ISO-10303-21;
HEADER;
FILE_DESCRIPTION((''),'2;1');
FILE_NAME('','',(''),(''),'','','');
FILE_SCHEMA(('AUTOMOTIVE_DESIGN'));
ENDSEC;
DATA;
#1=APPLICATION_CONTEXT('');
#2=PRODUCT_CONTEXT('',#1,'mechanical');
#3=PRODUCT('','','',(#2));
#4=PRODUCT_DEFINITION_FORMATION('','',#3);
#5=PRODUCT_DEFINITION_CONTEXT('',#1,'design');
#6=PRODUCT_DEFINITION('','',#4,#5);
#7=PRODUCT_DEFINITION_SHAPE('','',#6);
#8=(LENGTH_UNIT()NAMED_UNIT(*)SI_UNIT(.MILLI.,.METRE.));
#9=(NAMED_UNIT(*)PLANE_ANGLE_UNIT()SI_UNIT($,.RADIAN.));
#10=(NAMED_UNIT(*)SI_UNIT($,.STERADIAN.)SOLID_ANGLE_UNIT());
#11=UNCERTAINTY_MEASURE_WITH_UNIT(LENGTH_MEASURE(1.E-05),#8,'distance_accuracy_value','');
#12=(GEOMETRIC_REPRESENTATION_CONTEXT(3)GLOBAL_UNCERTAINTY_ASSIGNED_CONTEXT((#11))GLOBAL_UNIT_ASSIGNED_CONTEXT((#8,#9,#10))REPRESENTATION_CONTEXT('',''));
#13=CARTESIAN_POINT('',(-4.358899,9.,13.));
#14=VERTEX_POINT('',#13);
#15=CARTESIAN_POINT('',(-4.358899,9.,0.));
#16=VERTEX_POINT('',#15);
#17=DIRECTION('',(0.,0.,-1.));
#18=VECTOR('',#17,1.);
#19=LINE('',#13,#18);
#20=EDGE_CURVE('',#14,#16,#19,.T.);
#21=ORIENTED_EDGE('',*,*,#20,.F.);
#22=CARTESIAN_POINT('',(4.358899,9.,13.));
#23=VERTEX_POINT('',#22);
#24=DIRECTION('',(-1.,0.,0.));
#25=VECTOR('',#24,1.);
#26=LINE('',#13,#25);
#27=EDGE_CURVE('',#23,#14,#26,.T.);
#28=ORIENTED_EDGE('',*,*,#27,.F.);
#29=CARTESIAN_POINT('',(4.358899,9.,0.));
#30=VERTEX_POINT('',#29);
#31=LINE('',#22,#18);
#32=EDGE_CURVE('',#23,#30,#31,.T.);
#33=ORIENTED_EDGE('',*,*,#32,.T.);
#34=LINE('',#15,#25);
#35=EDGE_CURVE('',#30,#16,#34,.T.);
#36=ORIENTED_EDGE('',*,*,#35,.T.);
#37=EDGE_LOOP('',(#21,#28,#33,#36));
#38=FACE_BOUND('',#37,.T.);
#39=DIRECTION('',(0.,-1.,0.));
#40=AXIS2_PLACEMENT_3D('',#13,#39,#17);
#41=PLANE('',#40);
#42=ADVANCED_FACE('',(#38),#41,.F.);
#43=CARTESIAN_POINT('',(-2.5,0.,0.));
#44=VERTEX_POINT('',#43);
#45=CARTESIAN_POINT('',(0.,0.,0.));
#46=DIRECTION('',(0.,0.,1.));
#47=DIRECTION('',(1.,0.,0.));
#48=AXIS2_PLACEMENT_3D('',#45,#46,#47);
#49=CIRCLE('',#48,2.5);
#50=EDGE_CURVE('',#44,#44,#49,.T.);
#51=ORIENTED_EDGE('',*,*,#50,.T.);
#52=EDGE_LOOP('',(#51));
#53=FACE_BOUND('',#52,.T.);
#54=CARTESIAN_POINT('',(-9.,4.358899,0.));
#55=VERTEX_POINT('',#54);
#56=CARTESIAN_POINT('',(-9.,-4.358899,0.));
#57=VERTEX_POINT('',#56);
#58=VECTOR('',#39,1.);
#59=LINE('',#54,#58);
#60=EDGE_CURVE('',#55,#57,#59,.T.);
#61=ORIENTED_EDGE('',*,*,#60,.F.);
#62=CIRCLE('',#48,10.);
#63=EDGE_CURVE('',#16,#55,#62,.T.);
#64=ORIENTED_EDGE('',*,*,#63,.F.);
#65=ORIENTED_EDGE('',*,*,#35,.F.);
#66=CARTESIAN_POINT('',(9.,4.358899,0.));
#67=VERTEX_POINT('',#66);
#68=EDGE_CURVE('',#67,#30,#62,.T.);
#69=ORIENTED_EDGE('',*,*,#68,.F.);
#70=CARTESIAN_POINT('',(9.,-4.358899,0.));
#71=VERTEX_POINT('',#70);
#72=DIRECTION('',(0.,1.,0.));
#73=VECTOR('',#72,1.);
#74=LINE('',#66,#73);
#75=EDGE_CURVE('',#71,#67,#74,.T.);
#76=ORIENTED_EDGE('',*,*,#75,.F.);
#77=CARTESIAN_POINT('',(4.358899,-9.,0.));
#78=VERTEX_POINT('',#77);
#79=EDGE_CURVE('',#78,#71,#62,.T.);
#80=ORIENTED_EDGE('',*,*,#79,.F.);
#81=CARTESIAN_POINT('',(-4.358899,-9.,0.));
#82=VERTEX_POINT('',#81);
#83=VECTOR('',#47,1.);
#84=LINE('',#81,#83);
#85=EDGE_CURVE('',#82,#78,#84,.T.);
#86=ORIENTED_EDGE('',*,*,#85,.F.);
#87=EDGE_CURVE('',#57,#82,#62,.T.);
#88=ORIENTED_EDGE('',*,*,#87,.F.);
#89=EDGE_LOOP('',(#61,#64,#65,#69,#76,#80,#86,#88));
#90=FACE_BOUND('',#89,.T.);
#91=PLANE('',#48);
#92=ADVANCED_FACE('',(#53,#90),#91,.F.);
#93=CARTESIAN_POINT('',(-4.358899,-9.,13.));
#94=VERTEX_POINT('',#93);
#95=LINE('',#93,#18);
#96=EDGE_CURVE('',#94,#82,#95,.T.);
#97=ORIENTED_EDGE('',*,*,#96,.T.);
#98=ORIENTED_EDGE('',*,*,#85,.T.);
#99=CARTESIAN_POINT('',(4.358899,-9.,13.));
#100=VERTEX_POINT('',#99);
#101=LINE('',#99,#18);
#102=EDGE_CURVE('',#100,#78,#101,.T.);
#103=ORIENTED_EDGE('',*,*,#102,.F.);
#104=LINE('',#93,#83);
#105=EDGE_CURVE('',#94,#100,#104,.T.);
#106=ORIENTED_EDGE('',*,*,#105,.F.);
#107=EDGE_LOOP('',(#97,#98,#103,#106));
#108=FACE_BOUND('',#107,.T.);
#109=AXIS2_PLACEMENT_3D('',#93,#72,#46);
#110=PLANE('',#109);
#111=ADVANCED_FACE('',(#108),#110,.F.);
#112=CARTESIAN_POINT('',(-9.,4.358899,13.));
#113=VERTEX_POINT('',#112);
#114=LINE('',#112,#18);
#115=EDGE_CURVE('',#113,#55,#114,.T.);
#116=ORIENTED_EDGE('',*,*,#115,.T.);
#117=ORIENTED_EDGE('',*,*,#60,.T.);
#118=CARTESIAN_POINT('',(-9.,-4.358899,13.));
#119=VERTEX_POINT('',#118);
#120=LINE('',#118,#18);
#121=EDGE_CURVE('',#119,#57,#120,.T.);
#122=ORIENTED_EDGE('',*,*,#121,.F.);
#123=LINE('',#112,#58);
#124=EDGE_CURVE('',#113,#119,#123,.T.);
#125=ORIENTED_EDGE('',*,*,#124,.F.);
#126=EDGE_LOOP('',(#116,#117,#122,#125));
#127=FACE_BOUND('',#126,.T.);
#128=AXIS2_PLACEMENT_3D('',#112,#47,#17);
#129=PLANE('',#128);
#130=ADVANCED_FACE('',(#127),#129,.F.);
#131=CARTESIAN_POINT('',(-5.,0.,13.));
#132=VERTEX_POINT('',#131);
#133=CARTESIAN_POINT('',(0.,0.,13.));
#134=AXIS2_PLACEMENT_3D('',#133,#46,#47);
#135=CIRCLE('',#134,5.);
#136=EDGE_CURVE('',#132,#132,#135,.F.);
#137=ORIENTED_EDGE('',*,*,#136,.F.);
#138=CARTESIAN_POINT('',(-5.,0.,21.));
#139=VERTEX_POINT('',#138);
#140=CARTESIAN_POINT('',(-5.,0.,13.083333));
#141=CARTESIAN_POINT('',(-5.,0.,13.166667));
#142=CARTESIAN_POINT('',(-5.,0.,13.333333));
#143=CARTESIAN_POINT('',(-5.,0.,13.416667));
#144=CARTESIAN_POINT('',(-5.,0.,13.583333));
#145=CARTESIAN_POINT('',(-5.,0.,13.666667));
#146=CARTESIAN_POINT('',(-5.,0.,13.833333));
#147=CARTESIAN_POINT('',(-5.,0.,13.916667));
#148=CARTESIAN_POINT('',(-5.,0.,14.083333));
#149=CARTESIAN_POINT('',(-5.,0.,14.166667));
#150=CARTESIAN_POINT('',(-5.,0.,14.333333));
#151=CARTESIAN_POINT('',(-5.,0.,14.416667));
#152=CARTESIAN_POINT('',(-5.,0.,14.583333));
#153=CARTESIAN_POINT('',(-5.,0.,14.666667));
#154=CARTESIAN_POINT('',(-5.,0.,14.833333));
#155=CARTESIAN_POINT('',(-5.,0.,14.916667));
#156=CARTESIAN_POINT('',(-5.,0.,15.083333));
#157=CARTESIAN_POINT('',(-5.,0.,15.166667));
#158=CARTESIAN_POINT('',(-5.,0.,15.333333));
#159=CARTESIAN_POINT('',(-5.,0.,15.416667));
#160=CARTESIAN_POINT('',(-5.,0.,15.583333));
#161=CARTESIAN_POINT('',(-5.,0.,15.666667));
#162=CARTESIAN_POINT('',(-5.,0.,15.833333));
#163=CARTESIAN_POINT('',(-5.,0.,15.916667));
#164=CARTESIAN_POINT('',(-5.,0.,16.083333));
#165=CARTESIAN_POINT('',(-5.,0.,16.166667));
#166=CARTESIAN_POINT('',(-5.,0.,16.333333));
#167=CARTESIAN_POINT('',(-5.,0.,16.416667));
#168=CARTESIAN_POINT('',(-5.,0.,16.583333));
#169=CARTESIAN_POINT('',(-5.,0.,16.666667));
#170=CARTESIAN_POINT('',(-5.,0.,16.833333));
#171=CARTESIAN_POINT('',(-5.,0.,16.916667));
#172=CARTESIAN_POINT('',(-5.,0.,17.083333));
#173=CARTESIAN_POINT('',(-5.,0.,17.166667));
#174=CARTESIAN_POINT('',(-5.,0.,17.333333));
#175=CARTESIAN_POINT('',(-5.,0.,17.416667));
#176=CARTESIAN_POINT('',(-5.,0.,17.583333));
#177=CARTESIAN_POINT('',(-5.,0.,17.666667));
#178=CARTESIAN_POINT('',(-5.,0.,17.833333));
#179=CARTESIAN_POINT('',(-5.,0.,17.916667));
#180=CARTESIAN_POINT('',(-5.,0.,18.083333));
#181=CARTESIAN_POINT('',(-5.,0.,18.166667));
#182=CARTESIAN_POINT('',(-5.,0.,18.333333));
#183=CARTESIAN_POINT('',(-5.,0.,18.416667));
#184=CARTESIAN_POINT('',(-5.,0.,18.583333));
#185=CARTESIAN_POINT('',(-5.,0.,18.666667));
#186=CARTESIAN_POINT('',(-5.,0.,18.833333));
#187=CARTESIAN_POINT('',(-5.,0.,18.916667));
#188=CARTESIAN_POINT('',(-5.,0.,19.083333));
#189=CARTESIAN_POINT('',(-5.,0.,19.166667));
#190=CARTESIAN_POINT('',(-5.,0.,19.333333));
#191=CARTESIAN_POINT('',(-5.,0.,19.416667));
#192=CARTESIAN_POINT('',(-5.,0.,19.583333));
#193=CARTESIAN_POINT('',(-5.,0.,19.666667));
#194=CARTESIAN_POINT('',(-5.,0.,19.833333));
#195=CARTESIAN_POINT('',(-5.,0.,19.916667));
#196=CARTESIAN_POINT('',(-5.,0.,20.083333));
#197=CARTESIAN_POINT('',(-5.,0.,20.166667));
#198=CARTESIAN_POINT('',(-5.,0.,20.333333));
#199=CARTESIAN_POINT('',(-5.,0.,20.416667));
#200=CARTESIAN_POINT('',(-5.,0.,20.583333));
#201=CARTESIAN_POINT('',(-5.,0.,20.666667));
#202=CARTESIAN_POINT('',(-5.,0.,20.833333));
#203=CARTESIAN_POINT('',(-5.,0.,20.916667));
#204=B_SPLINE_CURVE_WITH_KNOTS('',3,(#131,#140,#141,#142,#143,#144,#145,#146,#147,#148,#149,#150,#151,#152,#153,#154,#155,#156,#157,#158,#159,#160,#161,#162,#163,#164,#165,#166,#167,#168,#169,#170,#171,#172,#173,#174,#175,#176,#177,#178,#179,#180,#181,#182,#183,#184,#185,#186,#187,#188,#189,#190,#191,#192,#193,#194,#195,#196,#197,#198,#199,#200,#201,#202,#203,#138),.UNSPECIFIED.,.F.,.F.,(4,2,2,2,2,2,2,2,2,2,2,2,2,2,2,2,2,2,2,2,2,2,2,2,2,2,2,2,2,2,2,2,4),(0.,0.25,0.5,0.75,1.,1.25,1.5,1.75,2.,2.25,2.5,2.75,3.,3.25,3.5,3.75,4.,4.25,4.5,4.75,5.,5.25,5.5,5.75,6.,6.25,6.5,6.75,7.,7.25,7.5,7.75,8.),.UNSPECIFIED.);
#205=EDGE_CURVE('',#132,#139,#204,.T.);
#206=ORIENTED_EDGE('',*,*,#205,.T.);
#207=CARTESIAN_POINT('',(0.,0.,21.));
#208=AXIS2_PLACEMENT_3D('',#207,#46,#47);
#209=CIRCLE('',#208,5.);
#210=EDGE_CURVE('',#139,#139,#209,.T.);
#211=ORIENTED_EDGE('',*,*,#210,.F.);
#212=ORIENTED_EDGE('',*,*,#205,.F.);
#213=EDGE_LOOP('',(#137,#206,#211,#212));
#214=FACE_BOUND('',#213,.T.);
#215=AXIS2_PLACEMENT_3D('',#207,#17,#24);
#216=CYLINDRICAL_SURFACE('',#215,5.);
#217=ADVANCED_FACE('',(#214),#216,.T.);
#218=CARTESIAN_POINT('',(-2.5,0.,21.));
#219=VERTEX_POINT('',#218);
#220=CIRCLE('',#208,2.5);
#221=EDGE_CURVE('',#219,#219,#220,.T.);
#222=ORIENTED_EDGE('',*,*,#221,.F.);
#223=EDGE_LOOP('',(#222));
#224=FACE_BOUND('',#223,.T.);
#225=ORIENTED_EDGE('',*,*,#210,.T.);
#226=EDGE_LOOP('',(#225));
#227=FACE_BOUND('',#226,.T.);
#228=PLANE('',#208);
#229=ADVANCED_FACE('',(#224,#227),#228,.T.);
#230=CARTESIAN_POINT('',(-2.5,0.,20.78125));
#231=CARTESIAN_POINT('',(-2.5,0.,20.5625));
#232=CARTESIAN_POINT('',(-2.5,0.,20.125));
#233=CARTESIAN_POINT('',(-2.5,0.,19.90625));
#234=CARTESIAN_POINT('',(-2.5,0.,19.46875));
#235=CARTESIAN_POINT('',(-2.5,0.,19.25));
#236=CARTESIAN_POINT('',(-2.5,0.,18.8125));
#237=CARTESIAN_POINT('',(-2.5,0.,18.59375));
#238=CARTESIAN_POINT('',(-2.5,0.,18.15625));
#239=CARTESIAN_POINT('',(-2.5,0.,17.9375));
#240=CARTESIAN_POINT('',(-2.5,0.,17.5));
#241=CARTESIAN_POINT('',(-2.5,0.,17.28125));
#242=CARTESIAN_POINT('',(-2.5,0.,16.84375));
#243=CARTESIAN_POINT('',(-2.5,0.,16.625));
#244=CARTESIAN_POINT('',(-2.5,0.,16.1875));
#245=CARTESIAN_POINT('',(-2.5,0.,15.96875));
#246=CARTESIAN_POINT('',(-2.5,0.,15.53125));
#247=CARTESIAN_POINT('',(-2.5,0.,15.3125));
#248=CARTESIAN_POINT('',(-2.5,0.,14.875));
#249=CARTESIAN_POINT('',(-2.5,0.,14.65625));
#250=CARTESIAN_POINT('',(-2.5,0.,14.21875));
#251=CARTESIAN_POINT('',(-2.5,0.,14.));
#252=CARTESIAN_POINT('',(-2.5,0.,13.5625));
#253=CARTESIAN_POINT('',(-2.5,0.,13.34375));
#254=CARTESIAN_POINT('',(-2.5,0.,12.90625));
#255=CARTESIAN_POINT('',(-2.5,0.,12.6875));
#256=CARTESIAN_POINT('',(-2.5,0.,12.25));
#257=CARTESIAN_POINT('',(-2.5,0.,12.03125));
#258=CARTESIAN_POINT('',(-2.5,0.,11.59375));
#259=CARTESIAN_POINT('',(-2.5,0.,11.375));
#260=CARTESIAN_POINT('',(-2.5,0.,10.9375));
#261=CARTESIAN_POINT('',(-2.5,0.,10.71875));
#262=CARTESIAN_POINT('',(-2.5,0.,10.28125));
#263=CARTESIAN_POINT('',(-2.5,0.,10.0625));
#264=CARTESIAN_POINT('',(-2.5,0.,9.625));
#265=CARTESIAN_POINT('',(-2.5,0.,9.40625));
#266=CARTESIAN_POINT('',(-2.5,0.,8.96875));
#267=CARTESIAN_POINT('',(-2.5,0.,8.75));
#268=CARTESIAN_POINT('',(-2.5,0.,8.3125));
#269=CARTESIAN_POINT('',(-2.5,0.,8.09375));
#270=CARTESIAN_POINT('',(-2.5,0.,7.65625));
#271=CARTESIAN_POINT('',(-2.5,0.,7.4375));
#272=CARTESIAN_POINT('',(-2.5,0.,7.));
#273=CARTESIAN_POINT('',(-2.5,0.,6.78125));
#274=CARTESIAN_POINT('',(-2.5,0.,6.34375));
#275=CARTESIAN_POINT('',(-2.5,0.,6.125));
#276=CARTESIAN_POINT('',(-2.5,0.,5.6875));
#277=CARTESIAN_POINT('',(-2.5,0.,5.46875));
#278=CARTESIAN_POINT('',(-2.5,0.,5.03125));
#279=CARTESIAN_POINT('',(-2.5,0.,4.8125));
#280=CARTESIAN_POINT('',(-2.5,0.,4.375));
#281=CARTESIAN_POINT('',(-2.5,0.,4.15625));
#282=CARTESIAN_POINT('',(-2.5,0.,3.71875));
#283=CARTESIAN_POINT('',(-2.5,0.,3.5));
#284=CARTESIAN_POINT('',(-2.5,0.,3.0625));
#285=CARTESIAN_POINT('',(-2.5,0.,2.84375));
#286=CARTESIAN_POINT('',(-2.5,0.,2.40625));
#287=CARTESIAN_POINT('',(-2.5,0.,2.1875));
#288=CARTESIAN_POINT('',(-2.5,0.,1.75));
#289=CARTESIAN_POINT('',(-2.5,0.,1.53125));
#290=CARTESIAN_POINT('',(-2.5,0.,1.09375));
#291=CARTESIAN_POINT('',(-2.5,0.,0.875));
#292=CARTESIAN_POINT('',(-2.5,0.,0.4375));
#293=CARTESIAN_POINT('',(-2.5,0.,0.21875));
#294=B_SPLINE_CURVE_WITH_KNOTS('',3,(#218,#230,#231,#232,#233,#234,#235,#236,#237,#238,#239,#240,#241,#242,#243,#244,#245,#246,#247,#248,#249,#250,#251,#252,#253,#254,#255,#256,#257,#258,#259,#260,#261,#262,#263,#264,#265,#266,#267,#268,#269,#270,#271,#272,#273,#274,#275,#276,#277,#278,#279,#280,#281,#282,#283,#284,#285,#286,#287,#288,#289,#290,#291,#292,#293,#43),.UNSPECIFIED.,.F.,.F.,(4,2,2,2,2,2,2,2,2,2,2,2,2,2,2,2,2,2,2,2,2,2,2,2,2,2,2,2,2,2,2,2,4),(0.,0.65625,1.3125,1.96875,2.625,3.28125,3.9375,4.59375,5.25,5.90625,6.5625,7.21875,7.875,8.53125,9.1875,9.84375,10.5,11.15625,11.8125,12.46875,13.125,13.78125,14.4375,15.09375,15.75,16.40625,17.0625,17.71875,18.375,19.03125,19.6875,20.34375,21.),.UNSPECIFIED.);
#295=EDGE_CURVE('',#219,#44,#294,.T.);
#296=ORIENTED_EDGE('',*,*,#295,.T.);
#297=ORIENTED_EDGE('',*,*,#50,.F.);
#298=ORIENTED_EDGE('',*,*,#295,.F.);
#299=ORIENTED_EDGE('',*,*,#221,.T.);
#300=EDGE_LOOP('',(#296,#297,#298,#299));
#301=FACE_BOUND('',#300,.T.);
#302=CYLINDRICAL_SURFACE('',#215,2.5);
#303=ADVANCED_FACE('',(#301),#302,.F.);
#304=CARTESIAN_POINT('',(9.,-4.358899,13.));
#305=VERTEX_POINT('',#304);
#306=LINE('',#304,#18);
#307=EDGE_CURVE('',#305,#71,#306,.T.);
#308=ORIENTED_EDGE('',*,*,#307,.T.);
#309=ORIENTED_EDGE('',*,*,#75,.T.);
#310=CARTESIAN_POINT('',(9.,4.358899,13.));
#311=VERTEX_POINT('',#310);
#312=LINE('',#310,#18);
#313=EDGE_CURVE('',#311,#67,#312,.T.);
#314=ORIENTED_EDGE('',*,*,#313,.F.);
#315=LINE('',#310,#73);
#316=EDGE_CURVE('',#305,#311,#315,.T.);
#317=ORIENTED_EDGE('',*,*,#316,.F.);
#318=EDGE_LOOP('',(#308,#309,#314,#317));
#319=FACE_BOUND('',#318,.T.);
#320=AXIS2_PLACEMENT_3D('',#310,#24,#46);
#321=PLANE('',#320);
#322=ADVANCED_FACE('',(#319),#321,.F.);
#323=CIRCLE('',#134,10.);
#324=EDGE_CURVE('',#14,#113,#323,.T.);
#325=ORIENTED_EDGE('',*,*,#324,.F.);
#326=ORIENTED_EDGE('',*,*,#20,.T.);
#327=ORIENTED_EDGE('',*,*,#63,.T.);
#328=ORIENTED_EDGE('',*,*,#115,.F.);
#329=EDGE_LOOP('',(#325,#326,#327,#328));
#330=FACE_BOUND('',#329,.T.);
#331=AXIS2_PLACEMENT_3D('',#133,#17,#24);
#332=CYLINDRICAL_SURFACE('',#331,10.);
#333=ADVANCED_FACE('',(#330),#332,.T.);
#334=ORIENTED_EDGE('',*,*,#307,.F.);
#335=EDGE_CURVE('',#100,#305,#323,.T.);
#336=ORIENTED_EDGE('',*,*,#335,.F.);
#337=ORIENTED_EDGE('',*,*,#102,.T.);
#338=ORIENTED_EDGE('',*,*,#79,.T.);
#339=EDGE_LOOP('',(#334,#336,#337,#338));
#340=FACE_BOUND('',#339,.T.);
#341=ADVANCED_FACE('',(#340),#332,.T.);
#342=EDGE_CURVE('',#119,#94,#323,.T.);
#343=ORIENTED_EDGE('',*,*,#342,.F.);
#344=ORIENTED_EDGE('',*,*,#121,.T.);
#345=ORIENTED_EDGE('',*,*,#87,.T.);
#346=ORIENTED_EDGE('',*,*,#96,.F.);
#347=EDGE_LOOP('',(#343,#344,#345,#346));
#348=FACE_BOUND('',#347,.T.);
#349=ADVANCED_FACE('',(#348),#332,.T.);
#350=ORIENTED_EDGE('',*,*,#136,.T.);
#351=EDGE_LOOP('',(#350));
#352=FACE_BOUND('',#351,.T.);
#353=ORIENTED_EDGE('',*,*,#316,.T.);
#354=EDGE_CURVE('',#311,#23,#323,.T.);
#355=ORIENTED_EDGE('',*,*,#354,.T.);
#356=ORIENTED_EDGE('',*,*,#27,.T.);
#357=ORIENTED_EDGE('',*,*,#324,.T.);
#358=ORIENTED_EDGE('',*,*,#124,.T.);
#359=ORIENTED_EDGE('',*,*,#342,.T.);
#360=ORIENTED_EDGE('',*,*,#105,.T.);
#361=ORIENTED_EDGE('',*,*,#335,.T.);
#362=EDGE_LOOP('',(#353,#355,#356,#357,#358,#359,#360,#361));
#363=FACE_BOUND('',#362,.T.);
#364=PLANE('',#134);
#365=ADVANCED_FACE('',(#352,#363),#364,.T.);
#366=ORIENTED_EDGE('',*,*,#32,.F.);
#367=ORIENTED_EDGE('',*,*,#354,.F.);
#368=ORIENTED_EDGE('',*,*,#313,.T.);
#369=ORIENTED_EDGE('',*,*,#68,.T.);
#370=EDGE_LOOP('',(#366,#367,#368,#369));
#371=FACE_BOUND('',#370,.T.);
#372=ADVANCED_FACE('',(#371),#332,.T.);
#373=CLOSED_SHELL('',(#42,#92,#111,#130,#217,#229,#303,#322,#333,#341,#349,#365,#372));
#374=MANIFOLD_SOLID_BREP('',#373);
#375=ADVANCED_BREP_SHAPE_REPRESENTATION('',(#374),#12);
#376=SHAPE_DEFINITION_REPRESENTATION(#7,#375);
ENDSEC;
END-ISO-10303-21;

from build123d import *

# Parameters (mm, degrees)
BOSS_EXTRUDE2_DEPTH = 13
SKETCH2_R           = 5
BOSS_EXTRUDE3_DEPTH = 21
SKETCH4_R           = 2.5
CUT_EXTRUDE1_DEPTH  = 21


with BuildPart() as part:
    # Sketch1 → Boss-Extrude2 (new body)
    with BuildSketch(Plane.XY):
        with BuildLine():
            Line((-4.358898944, 9), (4.358898944, 9))
            ThreePointArc((4.358898944, 9), (7.071067812, 7.071067812), (9, 4.358898944))
            Line((9, 4.358898944), (9, -4.358898944))
            ThreePointArc((9, -4.358898944), (7.071067812, -7.071067812), (4.358898944, -9))
            Line((4.358898944, -9), (-4.358898944, -9))
            ThreePointArc((-4.358898944, -9), (-7.071067812, -7.071067812), (-9, -4.358898944))
            Line((-9, -4.358898944), (-9, 4.358898944))
            ThreePointArc((-9, 4.358898944), (-7.071067812, 7.071067812), (-4.358898944, 9))
        make_face()
    extrude(amount=BOSS_EXTRUDE2_DEPTH)

    # Sketch2 → Boss-Extrude3 (add)
    with BuildSketch(Plane.XY):
        with Locations(Location((0, 0, 0), (0, 0, 180))):
            Circle(SKETCH2_R)
    extrude(amount=BOSS_EXTRUDE3_DEPTH)

    # Sketch4 → Cut-Extrude1 (cut)
    with BuildSketch(Plane.XY):
        with Locations(Location((0, 0, 0), (0, 0, 180))):
            Circle(SKETCH4_R)
    extrude(amount=CUT_EXTRUDE1_DEPTH, mode=Mode.SUBTRACT)


solid = part.part
